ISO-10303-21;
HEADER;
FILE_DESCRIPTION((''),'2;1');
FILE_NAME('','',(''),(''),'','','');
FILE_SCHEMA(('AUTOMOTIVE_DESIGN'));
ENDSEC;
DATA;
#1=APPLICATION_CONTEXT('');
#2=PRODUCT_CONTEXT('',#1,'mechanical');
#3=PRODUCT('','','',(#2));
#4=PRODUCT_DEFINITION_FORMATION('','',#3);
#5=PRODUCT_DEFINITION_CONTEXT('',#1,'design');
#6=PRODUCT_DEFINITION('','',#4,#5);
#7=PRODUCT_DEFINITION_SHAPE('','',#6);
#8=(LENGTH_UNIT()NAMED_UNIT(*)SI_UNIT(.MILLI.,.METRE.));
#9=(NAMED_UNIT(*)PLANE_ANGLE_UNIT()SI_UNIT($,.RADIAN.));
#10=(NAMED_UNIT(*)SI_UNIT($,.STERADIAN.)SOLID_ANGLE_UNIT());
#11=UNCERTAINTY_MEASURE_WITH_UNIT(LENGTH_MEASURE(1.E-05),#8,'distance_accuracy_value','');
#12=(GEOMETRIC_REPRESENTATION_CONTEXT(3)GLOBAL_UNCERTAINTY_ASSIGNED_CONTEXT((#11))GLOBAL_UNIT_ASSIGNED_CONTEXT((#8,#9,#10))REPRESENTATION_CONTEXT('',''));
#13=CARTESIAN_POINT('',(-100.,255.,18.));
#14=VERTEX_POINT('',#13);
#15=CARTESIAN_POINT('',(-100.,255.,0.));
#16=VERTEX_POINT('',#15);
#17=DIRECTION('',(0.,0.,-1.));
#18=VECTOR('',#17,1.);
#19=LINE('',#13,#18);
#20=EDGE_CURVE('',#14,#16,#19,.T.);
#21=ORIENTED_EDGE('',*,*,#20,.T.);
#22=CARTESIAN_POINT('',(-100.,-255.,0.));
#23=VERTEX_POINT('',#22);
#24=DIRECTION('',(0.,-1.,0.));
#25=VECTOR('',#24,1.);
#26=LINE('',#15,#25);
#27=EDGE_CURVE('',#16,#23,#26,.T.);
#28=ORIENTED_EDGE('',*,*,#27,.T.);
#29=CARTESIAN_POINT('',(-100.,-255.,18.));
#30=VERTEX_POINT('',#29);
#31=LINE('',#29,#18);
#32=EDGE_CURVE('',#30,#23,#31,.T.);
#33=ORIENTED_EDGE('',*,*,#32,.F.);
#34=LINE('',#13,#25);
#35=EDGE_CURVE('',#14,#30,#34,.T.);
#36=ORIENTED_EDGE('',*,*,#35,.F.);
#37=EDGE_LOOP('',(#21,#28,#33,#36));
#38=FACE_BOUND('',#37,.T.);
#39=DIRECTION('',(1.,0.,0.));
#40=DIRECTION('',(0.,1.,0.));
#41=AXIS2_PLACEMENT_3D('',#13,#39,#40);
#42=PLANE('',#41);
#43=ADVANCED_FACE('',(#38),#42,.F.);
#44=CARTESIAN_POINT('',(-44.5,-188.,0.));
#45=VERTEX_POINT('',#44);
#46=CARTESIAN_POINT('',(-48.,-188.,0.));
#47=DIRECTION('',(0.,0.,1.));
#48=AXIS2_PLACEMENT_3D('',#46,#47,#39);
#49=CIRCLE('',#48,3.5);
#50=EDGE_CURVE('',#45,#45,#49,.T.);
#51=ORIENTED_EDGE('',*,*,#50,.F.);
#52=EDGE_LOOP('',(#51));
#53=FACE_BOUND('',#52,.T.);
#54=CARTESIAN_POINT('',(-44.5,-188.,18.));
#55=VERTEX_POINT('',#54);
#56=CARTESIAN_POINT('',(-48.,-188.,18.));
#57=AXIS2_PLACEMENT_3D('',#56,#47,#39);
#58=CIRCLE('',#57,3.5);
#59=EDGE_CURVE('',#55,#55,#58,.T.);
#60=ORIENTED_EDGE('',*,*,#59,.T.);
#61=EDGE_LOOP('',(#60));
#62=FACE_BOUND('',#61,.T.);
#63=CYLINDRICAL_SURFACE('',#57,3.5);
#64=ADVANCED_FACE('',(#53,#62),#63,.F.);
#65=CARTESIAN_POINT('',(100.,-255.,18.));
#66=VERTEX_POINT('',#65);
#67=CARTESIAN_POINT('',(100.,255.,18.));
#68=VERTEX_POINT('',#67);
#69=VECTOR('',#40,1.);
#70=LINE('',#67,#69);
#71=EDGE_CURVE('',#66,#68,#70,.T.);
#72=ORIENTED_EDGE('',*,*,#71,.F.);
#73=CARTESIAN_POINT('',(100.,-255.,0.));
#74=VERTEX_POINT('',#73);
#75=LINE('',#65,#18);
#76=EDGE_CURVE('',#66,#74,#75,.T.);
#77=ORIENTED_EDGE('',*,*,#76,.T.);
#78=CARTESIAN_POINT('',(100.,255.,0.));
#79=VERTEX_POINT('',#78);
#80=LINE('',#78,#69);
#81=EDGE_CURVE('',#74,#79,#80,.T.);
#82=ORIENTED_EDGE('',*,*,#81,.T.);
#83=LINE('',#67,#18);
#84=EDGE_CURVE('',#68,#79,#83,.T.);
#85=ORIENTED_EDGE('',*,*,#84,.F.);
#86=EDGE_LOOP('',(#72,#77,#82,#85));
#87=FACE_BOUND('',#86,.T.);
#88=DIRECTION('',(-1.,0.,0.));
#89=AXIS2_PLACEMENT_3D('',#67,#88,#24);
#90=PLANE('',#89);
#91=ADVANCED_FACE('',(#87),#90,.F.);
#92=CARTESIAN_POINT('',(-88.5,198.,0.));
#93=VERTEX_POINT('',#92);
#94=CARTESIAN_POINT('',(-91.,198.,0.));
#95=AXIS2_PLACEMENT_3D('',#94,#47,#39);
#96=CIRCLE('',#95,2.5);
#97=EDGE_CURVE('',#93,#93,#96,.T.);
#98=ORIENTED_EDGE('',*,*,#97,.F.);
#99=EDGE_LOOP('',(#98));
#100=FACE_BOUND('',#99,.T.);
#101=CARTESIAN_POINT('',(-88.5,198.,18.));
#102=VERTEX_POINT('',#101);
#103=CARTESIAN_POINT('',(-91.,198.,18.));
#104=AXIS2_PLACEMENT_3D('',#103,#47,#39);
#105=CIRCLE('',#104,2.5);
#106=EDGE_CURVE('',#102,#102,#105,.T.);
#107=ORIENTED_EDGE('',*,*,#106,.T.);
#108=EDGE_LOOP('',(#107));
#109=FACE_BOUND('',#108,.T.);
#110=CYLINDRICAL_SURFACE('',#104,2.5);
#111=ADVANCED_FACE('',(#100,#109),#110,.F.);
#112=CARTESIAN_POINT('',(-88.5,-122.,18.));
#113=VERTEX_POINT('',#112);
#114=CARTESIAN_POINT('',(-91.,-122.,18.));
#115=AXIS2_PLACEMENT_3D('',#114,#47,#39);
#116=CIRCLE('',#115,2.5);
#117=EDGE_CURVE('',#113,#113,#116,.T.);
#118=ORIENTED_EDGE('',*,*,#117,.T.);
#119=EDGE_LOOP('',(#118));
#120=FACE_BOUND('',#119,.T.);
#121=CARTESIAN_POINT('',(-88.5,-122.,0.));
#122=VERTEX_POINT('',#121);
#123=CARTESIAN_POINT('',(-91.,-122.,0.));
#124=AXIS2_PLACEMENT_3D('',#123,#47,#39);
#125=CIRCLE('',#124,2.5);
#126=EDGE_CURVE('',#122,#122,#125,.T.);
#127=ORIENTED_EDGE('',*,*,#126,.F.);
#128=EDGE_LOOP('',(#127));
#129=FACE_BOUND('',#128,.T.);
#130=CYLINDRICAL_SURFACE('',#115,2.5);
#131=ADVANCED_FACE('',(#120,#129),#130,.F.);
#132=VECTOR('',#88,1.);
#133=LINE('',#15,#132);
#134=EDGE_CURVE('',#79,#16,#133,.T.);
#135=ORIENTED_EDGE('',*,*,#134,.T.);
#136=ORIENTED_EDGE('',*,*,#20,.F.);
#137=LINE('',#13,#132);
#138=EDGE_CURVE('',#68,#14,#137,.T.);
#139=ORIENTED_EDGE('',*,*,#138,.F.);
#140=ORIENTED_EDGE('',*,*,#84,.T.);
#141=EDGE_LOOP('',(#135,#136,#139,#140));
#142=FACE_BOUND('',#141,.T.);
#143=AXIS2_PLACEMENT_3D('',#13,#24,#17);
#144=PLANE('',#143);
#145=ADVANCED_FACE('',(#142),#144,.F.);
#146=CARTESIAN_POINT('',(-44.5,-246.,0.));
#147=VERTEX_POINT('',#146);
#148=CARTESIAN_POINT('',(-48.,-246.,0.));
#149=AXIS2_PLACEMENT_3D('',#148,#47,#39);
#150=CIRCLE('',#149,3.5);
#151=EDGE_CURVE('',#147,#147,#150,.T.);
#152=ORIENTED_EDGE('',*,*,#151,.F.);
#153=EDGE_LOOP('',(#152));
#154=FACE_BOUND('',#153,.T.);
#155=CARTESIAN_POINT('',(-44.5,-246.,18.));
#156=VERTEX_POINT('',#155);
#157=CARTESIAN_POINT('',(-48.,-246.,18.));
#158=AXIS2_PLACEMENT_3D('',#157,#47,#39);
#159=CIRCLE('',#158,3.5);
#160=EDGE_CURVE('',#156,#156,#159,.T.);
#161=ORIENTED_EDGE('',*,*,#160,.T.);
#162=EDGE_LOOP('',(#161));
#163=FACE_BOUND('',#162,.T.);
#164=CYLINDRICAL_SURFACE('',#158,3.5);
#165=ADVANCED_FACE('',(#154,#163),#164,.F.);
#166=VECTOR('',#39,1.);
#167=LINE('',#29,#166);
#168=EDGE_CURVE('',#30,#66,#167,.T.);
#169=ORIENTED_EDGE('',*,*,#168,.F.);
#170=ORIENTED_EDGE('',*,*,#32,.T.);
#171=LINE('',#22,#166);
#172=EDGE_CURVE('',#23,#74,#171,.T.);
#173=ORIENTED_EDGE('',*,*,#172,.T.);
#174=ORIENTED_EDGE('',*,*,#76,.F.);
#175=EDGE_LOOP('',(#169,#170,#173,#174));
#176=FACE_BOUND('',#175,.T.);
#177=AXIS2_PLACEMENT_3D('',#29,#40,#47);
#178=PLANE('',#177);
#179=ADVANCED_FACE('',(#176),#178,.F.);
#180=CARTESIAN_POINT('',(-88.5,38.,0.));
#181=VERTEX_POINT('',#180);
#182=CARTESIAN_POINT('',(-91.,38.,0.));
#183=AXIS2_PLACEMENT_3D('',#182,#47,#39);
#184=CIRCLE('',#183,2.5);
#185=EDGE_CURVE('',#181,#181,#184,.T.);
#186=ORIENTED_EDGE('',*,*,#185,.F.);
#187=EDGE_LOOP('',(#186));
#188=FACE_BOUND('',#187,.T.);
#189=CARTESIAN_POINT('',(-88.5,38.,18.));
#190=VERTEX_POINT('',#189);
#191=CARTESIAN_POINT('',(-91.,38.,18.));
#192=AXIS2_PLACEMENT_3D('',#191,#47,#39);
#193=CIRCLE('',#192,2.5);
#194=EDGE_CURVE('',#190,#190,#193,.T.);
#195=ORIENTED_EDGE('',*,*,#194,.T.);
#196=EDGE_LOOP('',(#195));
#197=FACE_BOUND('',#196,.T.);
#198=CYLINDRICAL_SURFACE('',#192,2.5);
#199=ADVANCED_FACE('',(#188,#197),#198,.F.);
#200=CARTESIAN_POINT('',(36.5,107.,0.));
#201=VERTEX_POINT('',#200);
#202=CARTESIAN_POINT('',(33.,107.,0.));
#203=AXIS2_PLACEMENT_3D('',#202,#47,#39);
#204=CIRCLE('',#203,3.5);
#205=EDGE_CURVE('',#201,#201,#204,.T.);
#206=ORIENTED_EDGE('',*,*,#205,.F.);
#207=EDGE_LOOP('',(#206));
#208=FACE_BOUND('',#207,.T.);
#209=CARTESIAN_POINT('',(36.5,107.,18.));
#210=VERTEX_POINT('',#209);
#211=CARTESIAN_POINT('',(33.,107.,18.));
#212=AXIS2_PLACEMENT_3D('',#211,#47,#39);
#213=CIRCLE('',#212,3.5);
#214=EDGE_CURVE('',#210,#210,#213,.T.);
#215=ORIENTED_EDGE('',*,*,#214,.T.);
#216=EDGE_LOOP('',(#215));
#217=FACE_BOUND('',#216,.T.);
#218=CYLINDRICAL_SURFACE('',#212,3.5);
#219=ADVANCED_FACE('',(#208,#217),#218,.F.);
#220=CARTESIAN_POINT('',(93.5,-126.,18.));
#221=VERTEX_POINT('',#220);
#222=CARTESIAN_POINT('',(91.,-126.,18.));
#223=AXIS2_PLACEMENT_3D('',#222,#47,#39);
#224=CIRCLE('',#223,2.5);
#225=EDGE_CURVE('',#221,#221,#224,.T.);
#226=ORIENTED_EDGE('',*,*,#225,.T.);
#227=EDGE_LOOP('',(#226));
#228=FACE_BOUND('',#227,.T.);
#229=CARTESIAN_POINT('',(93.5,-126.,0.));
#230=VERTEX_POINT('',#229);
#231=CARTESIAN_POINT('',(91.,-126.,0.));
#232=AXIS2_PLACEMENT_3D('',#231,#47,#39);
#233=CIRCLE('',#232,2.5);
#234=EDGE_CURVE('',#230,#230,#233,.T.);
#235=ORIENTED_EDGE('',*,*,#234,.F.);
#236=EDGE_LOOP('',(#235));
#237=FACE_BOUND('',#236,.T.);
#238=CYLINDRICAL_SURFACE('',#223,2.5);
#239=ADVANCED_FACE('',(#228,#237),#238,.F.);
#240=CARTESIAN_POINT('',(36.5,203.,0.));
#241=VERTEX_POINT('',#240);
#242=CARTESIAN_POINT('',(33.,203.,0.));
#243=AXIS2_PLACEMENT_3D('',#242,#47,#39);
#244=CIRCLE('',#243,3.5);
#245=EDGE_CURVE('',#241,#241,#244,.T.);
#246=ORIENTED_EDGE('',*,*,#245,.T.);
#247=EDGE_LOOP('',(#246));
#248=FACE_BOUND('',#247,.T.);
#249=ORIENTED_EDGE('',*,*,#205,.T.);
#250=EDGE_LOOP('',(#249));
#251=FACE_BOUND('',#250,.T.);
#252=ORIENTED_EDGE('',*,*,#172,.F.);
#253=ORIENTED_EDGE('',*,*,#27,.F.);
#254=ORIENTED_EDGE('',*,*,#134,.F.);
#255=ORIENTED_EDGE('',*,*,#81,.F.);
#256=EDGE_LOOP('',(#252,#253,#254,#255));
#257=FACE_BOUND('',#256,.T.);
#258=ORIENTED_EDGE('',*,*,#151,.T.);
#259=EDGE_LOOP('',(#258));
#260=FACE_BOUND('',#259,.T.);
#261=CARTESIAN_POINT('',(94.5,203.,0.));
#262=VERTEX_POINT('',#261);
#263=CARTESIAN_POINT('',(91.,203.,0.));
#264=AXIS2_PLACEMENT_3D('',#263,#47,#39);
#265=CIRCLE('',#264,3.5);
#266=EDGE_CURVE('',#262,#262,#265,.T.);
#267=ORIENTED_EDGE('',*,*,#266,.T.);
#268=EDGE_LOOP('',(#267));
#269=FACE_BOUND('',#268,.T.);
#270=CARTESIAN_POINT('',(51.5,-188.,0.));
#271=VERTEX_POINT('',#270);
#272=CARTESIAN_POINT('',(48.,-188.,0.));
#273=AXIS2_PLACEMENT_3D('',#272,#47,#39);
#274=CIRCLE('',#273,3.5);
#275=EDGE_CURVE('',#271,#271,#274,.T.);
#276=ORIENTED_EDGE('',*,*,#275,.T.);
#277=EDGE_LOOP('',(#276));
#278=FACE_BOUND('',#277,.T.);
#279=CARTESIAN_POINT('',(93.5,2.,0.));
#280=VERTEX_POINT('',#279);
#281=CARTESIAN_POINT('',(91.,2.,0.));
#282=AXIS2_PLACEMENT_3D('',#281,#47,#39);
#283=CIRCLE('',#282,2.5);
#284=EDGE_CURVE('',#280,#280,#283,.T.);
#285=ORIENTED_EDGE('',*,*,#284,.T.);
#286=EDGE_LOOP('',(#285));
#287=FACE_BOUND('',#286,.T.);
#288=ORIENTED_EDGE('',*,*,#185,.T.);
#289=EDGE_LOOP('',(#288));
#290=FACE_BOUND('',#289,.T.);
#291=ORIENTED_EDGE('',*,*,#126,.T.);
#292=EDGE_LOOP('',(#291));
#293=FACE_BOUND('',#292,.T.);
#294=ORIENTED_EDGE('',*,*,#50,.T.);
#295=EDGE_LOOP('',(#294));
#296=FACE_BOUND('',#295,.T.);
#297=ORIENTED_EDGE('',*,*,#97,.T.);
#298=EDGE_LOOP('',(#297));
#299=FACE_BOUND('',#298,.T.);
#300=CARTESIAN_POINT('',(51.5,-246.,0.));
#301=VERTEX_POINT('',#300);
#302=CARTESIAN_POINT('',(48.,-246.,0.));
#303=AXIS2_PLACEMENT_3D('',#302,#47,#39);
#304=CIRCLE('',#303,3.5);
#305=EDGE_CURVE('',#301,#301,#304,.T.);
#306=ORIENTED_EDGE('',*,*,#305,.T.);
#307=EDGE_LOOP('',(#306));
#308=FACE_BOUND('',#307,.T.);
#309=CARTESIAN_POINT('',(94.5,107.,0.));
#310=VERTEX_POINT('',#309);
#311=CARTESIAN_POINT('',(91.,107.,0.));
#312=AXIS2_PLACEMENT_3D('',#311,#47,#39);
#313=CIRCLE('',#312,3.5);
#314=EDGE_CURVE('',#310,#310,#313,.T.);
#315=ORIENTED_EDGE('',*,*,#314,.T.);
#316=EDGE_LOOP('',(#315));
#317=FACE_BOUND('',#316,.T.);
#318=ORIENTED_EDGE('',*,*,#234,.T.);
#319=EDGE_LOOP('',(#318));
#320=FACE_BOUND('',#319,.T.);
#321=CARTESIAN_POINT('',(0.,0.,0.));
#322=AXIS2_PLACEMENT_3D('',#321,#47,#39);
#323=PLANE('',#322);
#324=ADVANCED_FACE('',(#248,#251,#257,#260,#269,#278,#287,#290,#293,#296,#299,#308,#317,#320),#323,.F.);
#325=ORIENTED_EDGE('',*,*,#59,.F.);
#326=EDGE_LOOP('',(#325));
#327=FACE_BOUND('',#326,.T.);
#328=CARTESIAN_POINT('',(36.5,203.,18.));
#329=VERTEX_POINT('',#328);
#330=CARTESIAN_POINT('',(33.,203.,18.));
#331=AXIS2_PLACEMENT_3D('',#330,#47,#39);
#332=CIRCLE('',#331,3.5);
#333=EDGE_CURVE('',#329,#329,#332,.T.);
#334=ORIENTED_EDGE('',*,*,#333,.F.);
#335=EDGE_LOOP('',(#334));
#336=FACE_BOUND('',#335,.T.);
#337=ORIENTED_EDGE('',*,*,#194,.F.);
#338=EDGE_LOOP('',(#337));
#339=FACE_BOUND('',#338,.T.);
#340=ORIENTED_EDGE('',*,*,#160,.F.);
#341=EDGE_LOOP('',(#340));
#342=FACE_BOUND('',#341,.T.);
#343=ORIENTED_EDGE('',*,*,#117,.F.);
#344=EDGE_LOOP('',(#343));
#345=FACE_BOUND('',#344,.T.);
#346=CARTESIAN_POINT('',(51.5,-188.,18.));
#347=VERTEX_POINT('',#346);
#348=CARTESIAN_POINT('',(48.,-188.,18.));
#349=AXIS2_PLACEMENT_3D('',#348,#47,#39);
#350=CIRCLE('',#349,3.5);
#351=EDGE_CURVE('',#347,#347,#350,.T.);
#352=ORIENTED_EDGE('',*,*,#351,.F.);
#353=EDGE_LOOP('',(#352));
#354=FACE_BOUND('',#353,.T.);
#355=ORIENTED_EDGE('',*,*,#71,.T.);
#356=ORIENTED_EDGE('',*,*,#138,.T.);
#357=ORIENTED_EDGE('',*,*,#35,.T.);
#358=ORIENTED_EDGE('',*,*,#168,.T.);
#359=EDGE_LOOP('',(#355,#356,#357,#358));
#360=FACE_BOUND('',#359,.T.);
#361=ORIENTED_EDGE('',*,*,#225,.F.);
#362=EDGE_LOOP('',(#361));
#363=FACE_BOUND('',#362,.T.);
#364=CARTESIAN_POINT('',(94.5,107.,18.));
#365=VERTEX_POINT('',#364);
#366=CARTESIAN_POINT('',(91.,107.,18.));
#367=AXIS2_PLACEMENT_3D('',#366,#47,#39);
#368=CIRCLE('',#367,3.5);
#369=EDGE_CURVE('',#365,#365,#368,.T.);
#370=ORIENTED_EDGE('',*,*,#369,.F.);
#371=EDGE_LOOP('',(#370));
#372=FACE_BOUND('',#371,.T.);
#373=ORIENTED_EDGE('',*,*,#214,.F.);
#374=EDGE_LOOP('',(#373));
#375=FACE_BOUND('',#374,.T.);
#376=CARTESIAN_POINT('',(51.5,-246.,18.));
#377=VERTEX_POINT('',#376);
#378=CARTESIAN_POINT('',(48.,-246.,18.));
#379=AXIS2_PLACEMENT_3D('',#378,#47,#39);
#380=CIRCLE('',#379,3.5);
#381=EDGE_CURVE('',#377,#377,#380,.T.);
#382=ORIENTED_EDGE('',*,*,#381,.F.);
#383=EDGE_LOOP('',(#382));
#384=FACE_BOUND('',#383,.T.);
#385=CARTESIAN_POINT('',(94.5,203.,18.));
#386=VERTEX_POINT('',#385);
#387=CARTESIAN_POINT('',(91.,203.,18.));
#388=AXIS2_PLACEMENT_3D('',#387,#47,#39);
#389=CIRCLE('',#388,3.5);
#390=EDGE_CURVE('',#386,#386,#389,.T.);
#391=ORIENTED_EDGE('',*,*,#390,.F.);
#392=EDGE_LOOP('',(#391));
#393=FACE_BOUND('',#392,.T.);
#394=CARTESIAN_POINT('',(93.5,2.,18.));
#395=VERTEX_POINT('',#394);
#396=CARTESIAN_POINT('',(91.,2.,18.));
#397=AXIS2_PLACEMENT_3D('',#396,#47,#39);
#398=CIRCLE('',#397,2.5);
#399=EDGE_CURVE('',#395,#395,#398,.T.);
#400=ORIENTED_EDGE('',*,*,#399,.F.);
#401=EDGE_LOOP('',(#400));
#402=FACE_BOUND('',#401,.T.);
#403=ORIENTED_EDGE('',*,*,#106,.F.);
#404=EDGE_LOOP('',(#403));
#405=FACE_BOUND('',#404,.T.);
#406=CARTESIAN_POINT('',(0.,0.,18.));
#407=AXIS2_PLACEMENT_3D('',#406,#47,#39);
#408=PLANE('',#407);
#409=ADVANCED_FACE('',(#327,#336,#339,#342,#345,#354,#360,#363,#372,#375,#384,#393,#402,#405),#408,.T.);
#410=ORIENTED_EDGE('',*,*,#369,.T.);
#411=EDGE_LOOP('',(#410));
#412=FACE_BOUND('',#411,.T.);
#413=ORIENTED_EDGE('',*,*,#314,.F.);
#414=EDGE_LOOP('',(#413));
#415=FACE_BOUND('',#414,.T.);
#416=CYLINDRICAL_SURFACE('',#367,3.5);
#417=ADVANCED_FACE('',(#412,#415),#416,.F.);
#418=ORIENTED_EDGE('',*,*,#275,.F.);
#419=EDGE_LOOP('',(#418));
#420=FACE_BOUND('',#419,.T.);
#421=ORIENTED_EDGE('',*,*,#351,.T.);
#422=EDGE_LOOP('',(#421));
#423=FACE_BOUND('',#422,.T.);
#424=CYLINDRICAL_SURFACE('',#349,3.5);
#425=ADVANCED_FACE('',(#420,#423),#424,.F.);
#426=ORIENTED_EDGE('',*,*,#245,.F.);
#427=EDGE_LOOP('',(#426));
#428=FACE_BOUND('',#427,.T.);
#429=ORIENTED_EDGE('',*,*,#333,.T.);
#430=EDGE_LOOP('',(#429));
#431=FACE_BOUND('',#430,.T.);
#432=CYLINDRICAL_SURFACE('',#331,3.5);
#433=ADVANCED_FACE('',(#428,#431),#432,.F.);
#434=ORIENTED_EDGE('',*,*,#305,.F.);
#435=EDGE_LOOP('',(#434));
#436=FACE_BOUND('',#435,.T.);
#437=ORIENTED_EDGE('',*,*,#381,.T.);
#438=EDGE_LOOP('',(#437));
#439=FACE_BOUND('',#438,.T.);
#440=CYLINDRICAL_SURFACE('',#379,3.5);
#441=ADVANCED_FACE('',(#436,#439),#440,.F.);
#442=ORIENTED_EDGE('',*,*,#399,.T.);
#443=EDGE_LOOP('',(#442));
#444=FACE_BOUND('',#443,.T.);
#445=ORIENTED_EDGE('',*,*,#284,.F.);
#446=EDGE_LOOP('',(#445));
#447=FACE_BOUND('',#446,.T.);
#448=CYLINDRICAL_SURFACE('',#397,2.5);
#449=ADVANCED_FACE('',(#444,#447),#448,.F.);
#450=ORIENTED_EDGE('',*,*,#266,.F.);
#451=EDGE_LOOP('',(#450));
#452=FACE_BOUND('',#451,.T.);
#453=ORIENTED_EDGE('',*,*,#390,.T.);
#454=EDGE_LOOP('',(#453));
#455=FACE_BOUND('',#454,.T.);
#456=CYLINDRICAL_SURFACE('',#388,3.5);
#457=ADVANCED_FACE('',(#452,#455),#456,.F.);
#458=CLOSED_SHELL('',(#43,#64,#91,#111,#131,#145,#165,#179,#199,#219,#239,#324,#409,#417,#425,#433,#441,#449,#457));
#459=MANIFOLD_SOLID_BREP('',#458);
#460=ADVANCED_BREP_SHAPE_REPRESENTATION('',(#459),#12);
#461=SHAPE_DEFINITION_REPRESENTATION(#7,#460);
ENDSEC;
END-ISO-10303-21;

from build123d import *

# Parameters (mm, degrees)
SKETCH1_W                = 200
SKETCH1_H                = 510
BOSS_EXTRUDE1_DEPTH      = 18
F_7_0_7_DIAMETER_HOLE1_D = 7
F_5_0_5_DIAMETER_HOLE1_D = 5
F_5_0_5_DIAMETER_HOLE2_D = 5
F_7_0_7_DIAMETER_HOLE2_D = 7


with BuildPart() as part:
    # Sketch1 → Boss-Extrude1 (new body)
    with BuildSketch(Plane.XY):
        Rectangle(SKETCH1_W, SKETCH1_H)
    extrude(amount=BOSS_EXTRUDE1_DEPTH)

    # Ø7.0 (7) Diameter Hole1 (through all)
    with Locations(Plane.XY.offset(18)):
        with Locations((33, 203), (33, 107), (91, 203), (91, 107)):
            Hole(F_7_0_7_DIAMETER_HOLE1_D / 2)

    # Ø5.0 (5) Diameter Hole1 (through all)
    with Locations(Plane.XY.offset(18)):
        with Locations((-91, 198), (-91, 38), (-91, -122)):
            Hole(F_5_0_5_DIAMETER_HOLE1_D / 2)

    # Ø5.0 (5) Diameter Hole2 (through all)
    with Locations(Plane.XY.offset(18)):
        with Locations((91, 2), (91, -126)):
            Hole(F_5_0_5_DIAMETER_HOLE2_D / 2)

    # Ø7.0 (7) Diameter Hole2 (through all)
    with Locations(Plane.XY.offset(18)):
        with Locations((48, -188), (-48, -188), (48, -246), (-48, -246)):
            Hole(F_7_0_7_DIAMETER_HOLE2_D / 2)


solid = part.part
